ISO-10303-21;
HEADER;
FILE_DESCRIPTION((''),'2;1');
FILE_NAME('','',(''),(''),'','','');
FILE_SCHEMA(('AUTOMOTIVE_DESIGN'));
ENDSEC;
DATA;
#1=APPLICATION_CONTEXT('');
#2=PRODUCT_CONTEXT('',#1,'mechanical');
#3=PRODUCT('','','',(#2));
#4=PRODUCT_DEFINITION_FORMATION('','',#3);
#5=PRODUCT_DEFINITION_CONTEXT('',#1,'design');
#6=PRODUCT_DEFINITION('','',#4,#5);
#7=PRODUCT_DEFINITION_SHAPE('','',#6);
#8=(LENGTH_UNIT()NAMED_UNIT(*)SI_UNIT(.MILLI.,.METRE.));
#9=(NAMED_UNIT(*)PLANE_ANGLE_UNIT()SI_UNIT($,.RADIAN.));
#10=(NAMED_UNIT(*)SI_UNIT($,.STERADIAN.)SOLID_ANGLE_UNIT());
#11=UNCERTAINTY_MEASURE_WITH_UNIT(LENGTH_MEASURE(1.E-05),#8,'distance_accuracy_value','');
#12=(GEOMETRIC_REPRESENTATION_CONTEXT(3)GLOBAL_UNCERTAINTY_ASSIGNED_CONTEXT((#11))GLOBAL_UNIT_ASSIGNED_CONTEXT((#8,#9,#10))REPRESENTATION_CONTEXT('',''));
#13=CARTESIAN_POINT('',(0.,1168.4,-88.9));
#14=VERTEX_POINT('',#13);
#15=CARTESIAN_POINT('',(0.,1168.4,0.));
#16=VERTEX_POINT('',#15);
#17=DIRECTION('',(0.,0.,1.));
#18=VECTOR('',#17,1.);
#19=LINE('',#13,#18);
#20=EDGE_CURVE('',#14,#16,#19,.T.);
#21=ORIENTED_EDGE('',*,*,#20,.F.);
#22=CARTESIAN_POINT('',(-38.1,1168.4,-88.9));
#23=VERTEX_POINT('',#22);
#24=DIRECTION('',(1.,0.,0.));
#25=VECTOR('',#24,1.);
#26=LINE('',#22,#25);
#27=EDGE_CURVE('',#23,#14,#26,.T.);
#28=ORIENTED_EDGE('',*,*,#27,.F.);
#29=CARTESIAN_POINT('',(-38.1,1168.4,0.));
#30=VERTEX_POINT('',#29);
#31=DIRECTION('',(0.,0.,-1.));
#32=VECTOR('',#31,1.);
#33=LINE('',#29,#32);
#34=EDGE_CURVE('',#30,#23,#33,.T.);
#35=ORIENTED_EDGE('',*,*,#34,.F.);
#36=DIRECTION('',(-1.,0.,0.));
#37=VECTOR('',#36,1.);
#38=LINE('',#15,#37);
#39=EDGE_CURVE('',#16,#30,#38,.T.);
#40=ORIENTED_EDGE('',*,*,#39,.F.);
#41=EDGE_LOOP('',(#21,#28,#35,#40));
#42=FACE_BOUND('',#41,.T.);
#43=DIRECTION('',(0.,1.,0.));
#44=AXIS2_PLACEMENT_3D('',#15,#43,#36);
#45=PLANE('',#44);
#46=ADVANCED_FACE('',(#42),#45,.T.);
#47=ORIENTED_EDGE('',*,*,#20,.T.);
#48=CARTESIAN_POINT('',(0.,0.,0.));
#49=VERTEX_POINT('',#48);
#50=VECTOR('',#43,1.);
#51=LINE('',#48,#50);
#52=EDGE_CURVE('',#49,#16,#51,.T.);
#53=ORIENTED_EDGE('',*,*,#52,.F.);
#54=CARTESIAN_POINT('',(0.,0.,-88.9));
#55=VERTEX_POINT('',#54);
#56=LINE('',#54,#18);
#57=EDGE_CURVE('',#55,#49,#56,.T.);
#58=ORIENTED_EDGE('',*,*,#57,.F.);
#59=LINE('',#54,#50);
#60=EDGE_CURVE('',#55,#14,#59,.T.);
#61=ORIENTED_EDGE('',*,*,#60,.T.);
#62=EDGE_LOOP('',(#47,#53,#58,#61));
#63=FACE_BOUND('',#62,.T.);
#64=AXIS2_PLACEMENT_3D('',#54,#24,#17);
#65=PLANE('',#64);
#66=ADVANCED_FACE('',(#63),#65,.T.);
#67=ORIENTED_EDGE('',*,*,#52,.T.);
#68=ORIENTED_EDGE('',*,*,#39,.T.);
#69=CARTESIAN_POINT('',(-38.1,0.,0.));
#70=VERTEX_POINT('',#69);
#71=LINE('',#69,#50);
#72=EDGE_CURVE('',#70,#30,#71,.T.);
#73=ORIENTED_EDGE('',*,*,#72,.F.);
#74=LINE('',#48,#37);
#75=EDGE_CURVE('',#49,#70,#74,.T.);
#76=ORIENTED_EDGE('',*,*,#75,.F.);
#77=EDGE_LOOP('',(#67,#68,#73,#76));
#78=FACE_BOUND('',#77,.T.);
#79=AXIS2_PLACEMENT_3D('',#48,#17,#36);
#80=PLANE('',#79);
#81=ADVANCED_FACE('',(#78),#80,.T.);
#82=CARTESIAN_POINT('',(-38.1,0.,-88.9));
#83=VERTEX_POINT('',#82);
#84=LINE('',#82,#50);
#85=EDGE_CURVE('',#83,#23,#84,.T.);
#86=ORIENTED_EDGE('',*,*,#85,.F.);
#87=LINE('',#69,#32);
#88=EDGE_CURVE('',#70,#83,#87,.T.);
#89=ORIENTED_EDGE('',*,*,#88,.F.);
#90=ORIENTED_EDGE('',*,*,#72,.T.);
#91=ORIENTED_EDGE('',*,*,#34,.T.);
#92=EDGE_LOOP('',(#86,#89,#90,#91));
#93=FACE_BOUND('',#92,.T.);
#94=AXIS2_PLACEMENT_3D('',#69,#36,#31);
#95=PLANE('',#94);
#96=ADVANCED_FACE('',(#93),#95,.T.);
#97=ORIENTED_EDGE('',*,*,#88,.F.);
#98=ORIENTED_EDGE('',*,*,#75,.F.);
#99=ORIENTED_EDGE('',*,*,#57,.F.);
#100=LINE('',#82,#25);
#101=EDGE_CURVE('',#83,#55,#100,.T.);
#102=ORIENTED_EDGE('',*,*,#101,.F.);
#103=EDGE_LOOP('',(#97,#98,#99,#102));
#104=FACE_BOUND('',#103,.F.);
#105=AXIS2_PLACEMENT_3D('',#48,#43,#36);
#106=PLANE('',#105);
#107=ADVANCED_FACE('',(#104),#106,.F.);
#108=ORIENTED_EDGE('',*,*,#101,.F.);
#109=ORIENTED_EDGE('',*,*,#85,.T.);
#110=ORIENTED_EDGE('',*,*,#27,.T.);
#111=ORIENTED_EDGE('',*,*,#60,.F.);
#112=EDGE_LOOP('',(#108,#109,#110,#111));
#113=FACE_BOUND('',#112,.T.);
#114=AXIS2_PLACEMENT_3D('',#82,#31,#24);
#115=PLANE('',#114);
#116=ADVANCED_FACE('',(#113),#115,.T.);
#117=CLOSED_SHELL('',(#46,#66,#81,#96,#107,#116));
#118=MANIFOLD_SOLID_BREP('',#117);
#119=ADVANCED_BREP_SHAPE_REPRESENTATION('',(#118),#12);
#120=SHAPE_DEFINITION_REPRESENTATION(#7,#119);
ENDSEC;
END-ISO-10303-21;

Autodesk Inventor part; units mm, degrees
ref_plane "YZ Plane" through (0, 0, 0) normal (1, 0, 0) x (0, 1, 0)
ref_plane "XZ Plane" through (0, 0, 0) normal (0, 1, 0) x (-1, 0, 0)
ref_plane "XY Plane" through (0, 0, 0) normal (0, 0, 1) x (1, 0, 0)
sketch "Sketch1" plane through (0, 0, 0) normal (0, 1, 0) x (-1, 0, 0)
  line L0 (0, 0) -> (38.1, 0)
  line L1 (38.1, 0) -> (38.1, -88.9)
  line L2 (38.1, -88.9) -> (0, -88.9)
  line L3 (0, -88.9) -> (0, 0)
  dimension "d0" = 88.9
  dimension "d1" = 38.1
extrude "Extrusion1" add sketch "Sketch1" along normal blind 1168.4
properties part number "Stud_With_Height_54_Inches" material "Wood (Birch)"
